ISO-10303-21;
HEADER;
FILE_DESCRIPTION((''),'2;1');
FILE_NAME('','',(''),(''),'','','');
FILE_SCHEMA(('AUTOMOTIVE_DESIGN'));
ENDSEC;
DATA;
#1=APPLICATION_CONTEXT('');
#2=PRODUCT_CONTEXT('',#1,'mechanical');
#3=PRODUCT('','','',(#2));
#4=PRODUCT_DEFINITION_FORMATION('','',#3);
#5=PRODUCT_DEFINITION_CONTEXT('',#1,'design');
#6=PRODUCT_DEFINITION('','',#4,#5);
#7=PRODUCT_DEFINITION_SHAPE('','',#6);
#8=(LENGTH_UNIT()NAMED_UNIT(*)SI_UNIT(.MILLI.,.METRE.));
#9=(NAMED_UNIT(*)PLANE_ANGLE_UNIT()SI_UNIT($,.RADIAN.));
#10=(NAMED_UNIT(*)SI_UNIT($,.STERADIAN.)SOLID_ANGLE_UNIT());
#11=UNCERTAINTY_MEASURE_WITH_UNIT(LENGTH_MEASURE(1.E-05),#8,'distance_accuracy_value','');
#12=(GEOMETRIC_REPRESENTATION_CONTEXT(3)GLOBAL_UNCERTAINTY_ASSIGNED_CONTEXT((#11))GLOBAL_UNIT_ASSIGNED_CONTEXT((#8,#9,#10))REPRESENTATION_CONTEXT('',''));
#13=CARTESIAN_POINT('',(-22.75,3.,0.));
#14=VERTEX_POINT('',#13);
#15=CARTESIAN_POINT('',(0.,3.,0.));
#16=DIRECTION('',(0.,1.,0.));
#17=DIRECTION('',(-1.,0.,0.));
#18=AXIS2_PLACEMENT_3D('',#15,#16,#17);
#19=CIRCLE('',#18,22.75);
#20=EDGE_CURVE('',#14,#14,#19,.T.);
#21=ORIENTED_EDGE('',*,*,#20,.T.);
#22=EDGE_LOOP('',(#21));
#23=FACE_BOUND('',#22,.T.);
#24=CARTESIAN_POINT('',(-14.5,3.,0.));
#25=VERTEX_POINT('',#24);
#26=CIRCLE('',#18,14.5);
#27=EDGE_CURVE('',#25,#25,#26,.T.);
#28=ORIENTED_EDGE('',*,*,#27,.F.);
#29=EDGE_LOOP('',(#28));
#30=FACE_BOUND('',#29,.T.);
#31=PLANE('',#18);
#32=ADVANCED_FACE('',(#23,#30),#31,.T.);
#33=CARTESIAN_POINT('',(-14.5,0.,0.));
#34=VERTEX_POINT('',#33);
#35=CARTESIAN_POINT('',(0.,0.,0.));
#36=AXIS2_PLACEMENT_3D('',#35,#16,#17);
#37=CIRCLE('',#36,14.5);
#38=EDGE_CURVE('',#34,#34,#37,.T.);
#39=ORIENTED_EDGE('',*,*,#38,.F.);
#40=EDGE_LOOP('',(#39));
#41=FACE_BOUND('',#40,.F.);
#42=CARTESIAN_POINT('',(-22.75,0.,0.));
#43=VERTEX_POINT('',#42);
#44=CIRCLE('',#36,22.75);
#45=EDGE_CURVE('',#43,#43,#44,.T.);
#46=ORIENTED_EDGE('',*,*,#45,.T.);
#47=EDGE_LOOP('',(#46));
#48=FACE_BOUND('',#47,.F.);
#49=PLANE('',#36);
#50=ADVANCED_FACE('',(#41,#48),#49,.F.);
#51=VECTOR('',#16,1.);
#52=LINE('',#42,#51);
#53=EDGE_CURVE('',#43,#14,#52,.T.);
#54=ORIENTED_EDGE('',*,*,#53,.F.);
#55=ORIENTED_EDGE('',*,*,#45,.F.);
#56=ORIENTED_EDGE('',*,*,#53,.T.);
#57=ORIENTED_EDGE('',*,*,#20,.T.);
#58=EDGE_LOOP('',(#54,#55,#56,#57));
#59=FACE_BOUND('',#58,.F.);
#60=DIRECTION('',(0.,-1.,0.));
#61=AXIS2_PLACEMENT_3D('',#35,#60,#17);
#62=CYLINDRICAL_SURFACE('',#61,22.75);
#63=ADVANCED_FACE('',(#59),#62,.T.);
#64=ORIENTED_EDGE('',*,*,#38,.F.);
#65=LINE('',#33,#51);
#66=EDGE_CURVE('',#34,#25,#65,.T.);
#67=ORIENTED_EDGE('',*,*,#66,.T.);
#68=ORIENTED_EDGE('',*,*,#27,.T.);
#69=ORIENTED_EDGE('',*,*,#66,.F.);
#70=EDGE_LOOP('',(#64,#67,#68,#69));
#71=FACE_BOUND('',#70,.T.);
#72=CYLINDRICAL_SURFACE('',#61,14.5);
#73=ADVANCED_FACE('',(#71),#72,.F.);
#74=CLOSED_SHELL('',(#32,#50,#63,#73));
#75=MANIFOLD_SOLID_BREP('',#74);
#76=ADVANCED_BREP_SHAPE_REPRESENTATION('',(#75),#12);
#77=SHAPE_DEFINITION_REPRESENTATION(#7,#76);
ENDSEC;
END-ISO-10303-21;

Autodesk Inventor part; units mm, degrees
ref_plane "YZ Plane" through (0, 0, 0) normal (1, 0, 0) x (0, 1, 0)
ref_plane "XZ Plane" through (0, 0, 0) normal (0, 1, 0) x (-1, 0, 0)
ref_plane "XY Plane" through (0, 0, 0) normal (0, 0, 1) x (1, 0, 0)
sketch "Sketch1" plane through (0, 0, 0) normal (0, 1, 0) x (-1, 0, 0)
  circle A0 centre (0, 0) radius 22.75
  circle A1 centre (0, 0) radius 14.5
  dimension "d0" = 45.5
  dimension "d1" = 29
extrude "Extrusion1" add sketch "Sketch1" along normal blind 3
properties part number "CenterRing"
